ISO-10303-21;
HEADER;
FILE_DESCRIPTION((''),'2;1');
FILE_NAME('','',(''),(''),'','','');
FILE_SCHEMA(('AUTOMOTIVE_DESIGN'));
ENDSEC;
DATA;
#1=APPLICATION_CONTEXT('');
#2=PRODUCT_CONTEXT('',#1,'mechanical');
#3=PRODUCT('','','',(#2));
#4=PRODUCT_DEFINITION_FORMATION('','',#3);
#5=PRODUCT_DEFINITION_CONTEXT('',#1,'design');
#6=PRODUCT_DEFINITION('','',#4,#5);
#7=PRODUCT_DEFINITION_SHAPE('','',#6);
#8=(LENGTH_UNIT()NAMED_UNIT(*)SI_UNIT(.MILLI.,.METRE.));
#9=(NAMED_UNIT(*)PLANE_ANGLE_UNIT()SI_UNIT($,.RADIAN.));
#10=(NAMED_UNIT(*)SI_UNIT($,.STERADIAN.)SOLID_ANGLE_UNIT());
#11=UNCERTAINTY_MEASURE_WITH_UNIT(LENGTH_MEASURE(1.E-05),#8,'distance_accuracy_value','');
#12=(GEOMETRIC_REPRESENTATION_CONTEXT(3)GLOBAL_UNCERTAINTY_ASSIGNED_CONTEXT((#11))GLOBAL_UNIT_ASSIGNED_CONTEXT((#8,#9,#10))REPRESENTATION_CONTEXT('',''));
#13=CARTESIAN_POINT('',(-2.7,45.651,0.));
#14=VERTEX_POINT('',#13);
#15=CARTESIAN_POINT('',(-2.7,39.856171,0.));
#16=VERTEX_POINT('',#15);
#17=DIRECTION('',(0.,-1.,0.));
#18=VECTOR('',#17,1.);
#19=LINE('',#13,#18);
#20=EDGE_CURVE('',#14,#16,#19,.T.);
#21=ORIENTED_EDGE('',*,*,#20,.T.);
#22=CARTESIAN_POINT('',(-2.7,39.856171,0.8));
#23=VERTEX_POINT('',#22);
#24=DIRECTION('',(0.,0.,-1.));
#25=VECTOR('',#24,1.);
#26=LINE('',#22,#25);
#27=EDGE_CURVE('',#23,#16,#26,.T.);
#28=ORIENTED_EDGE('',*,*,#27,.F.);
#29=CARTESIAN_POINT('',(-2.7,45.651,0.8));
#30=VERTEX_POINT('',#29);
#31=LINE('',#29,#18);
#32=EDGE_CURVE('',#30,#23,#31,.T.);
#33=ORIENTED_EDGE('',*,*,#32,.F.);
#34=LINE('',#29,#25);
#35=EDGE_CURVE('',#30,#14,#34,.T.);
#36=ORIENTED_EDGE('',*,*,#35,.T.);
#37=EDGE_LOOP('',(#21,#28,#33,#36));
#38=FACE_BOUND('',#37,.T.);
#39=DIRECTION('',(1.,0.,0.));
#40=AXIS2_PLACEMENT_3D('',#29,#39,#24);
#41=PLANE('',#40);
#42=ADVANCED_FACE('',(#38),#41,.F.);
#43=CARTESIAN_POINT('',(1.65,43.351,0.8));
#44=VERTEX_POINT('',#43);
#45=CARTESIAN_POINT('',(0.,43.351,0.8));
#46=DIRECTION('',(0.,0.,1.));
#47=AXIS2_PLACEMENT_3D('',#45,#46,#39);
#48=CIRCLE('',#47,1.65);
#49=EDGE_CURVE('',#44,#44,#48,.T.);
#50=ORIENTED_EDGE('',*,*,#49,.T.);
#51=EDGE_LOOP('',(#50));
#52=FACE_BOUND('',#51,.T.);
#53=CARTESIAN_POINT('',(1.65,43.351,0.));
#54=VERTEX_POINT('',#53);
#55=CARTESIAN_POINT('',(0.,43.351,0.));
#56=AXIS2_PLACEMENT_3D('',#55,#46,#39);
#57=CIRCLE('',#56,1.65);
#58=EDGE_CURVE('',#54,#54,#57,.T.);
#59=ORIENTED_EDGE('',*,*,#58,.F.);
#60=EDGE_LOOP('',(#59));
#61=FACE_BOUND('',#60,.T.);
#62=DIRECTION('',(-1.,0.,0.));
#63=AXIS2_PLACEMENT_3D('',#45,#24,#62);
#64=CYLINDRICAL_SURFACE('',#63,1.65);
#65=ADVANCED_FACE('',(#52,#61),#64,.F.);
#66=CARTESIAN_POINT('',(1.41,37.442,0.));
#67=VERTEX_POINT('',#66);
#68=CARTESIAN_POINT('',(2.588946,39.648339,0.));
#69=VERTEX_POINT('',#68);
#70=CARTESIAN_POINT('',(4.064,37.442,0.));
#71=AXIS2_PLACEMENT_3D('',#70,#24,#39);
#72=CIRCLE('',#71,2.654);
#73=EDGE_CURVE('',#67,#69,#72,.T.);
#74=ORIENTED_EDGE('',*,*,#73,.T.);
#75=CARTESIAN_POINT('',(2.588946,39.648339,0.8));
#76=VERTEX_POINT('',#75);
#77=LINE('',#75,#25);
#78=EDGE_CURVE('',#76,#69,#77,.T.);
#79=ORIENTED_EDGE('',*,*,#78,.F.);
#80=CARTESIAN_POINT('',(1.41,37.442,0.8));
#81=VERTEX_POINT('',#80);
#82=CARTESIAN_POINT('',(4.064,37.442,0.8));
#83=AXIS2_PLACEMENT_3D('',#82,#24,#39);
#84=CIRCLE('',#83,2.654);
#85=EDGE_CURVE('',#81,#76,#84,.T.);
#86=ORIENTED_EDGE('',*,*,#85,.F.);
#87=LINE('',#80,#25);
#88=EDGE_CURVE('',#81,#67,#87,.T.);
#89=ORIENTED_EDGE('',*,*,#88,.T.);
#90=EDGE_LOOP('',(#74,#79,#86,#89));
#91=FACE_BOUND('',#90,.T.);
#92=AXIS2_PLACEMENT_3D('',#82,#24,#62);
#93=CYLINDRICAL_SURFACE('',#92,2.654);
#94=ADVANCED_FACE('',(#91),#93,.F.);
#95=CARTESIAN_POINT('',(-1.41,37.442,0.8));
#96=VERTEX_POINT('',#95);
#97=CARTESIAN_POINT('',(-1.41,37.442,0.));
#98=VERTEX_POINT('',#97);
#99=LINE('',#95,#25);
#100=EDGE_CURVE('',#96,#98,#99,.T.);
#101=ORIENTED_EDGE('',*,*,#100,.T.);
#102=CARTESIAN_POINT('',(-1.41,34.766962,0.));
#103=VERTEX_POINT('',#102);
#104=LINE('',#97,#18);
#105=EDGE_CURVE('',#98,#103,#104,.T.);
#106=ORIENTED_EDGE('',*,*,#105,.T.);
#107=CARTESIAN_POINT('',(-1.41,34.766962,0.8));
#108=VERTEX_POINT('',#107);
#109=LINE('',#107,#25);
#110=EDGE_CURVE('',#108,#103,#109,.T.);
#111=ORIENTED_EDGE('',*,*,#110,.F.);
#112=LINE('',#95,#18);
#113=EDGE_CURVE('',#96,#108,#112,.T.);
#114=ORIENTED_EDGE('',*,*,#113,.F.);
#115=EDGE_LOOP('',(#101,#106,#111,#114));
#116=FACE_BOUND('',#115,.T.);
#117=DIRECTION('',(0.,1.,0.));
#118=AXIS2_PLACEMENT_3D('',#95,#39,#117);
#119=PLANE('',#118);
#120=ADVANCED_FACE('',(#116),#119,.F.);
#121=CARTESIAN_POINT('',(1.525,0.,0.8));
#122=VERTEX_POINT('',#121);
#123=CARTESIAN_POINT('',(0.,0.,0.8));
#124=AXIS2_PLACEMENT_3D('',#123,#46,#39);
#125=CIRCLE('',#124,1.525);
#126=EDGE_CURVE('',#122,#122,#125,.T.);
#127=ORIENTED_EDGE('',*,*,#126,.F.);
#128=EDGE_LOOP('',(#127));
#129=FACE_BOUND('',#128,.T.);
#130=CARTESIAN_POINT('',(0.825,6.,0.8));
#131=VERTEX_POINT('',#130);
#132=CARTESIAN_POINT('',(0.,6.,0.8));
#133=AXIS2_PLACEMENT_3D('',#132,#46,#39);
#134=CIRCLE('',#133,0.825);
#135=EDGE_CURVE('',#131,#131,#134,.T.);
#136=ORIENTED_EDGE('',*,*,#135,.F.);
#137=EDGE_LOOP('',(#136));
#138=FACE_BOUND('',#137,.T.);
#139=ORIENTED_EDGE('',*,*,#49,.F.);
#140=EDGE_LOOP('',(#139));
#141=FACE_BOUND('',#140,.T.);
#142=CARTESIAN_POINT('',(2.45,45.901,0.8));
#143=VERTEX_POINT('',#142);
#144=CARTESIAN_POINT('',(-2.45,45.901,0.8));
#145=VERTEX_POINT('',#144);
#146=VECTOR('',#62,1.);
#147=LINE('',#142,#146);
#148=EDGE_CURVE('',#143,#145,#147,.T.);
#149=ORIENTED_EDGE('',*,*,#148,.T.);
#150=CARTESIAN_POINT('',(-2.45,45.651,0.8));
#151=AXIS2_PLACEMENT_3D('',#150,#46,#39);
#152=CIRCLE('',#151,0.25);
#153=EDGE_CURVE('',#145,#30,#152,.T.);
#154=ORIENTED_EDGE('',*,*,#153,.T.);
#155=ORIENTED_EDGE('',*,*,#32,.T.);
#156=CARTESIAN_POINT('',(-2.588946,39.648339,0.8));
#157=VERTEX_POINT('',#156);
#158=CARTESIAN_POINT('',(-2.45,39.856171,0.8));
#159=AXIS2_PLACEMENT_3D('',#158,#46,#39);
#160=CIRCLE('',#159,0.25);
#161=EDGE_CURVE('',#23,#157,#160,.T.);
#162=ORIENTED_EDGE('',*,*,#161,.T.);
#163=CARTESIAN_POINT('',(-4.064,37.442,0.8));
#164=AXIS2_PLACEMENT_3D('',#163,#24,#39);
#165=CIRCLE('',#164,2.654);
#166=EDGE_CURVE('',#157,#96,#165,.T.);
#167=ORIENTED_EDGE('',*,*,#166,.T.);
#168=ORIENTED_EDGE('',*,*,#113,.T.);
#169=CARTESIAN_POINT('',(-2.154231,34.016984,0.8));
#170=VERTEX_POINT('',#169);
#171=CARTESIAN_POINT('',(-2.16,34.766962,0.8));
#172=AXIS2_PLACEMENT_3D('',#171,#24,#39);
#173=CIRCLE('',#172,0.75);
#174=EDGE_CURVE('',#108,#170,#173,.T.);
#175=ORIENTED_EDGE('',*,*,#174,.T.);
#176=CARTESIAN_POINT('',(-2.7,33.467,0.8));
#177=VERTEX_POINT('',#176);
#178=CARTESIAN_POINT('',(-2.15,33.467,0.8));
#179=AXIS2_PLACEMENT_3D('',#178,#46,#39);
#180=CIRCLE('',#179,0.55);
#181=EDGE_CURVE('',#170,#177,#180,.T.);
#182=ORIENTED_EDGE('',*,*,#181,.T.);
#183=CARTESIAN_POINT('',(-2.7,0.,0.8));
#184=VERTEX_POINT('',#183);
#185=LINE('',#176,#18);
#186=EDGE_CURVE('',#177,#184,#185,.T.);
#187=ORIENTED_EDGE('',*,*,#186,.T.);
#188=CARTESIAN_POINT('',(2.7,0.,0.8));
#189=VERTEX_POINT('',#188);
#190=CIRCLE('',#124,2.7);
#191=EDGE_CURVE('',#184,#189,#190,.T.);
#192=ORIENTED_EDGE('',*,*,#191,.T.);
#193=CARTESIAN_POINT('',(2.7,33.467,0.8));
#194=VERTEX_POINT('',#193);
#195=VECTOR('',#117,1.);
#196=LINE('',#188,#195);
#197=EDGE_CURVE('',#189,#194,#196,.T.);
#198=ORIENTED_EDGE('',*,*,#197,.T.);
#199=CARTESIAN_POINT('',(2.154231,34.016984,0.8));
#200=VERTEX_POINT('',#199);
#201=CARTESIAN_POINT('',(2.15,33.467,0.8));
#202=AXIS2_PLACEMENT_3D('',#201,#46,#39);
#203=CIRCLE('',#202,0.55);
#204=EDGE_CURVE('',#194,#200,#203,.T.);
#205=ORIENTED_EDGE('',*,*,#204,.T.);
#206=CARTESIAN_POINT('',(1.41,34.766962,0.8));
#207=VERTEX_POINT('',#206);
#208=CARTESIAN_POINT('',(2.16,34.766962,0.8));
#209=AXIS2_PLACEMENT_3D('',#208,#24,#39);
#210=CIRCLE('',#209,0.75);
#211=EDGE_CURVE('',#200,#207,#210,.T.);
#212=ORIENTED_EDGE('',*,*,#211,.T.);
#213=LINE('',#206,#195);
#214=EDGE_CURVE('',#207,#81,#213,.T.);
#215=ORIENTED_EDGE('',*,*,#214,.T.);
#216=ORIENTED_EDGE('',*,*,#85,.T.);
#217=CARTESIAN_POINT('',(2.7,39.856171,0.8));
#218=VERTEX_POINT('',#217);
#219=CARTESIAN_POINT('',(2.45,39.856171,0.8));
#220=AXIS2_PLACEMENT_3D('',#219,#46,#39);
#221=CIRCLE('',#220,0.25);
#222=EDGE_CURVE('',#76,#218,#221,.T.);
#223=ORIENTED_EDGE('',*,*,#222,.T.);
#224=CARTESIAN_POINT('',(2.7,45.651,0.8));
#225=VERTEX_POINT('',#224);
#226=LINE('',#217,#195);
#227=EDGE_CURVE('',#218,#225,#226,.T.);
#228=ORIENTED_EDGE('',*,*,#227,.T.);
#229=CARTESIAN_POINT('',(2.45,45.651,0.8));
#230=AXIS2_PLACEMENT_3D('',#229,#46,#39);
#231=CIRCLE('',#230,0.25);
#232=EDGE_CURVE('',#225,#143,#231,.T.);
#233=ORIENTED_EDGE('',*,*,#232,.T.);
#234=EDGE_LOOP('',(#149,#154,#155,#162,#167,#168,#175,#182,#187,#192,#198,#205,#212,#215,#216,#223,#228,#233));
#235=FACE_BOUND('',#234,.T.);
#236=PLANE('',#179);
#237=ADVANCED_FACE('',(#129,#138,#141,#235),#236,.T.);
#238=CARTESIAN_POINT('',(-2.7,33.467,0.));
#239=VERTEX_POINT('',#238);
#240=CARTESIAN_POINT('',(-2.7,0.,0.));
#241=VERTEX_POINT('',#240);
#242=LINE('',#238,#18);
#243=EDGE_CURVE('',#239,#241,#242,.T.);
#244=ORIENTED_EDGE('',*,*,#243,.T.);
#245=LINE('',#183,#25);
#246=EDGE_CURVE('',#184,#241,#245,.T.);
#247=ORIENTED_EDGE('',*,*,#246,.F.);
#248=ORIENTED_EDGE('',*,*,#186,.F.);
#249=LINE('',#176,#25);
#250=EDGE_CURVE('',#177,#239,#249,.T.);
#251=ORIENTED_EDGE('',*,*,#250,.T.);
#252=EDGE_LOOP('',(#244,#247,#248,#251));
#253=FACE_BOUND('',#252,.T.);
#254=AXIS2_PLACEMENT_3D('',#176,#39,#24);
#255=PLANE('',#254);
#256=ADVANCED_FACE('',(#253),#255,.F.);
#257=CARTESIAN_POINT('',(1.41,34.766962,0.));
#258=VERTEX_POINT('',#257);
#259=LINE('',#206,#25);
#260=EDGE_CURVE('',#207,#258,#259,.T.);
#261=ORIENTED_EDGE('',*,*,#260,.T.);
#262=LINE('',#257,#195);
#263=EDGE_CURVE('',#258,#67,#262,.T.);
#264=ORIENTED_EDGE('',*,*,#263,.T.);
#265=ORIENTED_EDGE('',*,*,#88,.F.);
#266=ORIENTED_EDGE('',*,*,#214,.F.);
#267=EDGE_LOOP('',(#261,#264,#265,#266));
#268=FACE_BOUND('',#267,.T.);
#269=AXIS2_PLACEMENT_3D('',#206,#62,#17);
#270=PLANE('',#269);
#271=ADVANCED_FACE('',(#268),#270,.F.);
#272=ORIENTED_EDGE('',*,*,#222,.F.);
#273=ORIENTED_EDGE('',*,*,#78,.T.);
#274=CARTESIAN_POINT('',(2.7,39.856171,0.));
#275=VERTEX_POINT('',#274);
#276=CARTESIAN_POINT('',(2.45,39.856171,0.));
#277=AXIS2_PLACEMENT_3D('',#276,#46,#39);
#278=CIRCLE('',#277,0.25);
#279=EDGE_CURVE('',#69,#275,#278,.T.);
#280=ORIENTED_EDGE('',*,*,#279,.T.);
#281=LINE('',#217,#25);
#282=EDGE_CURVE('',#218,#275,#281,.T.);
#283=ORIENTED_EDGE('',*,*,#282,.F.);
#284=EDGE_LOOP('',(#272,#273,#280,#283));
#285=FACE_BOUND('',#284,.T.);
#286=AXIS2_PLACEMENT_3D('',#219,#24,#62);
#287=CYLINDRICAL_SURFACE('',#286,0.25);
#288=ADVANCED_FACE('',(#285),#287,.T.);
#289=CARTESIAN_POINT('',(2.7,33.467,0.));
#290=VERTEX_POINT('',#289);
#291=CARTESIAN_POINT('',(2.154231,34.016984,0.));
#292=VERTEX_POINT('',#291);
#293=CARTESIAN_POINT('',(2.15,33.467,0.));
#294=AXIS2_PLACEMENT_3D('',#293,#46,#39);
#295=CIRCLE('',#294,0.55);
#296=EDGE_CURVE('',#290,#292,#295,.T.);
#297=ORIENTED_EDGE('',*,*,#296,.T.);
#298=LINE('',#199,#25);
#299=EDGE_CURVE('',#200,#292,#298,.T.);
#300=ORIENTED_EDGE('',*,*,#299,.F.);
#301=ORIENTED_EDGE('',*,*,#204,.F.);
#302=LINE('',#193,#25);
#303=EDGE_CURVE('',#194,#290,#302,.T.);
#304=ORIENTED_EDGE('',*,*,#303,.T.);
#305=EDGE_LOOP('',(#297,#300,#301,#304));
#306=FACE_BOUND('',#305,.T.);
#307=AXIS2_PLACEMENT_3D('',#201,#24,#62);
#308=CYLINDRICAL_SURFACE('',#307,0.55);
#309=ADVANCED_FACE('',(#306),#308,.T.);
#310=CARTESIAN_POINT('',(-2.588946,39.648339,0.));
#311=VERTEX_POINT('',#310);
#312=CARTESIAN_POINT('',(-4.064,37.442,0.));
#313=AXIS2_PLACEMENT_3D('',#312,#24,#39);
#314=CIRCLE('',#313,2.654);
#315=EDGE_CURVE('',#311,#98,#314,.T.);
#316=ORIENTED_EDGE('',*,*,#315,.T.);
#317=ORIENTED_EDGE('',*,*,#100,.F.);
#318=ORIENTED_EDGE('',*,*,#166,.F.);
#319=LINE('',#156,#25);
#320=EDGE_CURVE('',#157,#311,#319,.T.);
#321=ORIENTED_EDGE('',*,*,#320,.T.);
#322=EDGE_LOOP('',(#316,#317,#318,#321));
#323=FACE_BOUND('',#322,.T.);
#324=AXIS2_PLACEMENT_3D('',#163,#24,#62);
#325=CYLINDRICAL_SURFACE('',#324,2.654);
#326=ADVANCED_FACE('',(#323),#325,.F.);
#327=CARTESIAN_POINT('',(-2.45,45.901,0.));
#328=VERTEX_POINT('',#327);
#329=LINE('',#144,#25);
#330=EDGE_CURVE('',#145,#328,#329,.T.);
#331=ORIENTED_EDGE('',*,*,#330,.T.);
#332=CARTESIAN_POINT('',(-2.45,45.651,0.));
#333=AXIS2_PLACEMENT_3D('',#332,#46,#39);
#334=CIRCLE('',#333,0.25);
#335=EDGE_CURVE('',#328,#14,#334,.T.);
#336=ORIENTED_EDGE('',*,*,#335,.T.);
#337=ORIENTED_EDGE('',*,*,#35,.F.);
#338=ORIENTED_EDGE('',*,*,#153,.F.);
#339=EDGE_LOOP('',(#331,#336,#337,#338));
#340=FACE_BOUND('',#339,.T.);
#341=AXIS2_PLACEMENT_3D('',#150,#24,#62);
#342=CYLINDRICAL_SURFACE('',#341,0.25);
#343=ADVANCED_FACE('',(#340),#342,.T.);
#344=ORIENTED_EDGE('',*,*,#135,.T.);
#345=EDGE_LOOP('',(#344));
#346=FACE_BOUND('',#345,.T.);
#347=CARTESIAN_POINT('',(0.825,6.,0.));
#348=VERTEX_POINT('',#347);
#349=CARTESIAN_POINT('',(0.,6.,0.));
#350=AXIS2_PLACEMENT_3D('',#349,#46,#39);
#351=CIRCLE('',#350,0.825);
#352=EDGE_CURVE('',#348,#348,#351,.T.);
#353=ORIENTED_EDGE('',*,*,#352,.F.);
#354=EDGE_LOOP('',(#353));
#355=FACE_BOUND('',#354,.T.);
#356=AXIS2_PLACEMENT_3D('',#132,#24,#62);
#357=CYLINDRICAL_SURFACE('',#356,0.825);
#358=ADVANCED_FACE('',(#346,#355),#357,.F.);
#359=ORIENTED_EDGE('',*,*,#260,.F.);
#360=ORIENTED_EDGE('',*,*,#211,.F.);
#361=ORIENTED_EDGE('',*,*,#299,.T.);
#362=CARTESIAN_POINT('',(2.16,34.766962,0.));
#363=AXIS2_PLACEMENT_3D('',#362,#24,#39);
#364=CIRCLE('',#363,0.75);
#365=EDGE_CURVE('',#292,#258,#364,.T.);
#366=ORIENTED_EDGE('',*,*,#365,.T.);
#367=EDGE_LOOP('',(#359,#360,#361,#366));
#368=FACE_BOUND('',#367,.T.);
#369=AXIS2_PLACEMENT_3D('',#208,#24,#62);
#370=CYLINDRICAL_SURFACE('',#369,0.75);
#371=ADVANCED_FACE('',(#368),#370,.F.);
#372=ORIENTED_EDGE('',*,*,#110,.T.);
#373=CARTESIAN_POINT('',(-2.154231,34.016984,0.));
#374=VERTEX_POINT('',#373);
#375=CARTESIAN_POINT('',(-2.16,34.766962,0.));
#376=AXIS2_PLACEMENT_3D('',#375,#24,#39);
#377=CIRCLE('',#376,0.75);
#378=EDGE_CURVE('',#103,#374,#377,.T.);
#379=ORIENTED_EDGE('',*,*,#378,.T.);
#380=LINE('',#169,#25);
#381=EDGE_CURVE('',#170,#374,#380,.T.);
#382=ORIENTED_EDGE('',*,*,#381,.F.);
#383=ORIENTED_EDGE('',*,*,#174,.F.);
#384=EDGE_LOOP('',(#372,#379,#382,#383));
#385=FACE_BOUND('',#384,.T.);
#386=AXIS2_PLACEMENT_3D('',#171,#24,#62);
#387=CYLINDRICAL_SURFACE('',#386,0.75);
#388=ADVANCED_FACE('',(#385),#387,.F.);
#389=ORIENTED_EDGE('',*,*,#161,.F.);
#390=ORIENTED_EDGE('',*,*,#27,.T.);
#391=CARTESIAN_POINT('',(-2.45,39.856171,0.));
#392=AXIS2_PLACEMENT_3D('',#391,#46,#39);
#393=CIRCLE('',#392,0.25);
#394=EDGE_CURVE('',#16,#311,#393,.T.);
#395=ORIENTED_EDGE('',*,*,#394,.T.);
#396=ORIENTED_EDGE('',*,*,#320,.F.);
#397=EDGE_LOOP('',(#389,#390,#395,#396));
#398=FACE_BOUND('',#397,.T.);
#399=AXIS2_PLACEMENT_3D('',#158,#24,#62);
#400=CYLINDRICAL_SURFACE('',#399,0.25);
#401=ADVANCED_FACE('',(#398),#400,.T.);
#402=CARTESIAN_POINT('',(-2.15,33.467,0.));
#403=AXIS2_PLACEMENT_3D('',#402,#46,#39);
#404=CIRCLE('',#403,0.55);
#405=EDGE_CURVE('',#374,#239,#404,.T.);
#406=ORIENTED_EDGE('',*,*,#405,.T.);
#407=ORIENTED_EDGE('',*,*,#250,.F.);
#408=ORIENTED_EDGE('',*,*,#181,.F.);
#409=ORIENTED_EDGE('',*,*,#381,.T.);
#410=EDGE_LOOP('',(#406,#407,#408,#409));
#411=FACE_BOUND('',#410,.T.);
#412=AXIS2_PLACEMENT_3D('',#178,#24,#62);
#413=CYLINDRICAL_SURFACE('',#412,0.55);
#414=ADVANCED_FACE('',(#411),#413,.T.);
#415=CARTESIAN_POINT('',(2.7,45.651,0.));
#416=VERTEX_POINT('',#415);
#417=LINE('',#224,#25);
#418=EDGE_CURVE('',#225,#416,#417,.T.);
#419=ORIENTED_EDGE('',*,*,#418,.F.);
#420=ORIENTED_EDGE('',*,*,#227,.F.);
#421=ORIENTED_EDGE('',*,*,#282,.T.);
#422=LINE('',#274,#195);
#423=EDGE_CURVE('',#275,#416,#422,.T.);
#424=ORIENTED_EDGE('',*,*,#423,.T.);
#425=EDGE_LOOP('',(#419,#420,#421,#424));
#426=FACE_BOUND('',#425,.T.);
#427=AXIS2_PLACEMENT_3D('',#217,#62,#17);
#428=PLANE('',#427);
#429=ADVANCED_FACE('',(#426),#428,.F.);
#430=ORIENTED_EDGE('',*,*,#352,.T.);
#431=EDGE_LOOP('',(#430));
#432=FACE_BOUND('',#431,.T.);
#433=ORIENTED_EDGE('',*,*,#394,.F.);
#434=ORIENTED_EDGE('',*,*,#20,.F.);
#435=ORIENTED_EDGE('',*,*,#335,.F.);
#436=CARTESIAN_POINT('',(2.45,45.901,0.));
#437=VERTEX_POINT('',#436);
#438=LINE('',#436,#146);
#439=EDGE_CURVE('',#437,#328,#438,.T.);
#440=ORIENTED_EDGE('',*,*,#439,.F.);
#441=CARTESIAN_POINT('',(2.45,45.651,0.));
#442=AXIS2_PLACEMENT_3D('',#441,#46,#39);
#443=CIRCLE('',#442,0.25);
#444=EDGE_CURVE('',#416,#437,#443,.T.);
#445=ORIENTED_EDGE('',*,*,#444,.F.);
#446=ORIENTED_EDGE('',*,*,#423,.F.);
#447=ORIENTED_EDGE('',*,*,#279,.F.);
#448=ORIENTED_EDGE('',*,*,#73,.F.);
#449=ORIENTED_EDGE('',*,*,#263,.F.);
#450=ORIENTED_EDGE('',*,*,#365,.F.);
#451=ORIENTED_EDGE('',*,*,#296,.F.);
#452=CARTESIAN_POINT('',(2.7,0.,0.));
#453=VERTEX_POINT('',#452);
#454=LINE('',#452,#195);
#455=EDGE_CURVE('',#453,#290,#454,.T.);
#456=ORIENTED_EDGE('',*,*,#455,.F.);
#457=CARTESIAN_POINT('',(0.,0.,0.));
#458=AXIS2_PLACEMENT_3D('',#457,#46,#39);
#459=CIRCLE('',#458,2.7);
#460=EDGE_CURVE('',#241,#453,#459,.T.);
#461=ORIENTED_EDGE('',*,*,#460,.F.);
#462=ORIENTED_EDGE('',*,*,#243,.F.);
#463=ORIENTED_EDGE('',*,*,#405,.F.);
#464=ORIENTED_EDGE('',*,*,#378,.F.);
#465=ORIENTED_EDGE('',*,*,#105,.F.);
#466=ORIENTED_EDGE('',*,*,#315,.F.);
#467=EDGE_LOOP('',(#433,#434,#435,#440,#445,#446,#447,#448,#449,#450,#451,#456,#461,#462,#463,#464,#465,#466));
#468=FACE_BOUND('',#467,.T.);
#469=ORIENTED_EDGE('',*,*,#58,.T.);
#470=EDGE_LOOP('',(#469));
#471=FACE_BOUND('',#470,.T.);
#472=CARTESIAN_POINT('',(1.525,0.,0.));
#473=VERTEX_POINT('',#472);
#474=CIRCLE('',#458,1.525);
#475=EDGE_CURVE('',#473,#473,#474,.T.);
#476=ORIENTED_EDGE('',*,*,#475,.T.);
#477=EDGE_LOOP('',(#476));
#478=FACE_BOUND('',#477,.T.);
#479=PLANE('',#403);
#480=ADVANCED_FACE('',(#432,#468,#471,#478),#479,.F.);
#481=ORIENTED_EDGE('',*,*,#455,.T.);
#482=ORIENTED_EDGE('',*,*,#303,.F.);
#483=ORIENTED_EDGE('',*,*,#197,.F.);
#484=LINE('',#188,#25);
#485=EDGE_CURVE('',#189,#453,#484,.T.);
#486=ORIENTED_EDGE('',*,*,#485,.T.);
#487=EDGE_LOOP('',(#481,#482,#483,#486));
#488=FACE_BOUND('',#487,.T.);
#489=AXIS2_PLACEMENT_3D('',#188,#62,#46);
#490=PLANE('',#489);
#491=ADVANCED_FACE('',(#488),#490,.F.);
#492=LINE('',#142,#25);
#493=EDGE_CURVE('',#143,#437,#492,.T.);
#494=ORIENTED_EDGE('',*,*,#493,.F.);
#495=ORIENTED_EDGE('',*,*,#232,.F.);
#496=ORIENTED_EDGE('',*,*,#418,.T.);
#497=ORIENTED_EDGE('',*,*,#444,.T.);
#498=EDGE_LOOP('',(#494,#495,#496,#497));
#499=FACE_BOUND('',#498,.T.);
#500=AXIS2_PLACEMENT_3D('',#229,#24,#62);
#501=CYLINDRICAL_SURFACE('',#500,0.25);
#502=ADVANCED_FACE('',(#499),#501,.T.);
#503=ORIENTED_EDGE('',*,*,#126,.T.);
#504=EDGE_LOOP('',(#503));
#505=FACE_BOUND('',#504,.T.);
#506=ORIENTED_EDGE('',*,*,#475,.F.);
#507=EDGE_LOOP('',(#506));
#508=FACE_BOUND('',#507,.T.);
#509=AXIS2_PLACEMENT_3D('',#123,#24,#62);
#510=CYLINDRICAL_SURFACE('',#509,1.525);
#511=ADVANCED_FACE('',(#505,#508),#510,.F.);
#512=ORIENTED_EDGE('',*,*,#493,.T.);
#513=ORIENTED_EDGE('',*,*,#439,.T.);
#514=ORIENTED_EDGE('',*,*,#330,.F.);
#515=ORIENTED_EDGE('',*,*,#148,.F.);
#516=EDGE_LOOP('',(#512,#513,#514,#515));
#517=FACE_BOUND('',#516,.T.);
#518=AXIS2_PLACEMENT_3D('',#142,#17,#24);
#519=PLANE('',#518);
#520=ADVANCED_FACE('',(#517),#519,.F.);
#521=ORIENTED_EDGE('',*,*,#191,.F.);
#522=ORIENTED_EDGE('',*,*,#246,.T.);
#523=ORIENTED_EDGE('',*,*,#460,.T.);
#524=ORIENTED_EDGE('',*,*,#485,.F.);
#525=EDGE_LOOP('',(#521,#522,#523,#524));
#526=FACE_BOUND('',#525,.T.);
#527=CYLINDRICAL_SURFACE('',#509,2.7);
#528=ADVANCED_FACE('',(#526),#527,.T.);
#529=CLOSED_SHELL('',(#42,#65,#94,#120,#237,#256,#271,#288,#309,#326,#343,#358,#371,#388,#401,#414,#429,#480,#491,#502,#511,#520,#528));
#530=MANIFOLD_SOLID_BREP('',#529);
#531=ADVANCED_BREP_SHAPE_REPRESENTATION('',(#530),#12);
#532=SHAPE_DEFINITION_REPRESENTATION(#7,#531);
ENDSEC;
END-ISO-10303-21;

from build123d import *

# Parameters (mm, degrees)
SKETCH_2_R      = 1.525
SKETCH_2_R_2    = 0.825
SKETCH_2_R_3    = 1.65
EXTRUDE_1_DEPTH = 0.8


with BuildPart() as part:
    # 草图2 → 凸台-拉伸1 (new body)
    with BuildSketch(Plane.XY):
        with BuildLine():
            Line((-2.7, 33.467), (-2.7, 0))
            ThreePointArc((-2.7, 0), (0, -2.7), (2.7, 0))
            Line((2.7, 0), (2.7, 33.467))
            ThreePointArc((2.7, 33.467), (2.540401667, 33.854410039), (2.154230769, 34.016983728))
            ThreePointArc((2.154230769, 34.016983728), (1.627634091, 34.238675121), (1.41, 34.766961538))
            Line((1.41, 34.766961538), (1.41, 37.442))
            ThreePointArc((1.41, 37.442), (1.7232193, 38.69278444), (2.588946281, 39.648339169))
            ThreePointArc((2.588946281, 39.648339169), (2.670495544, 39.738349976), (2.7, 39.856170665))
            Line((2.7, 39.856170665), (2.7, 45.651))
            ThreePointArc((2.7, 45.651), (2.626776695, 45.827776695), (2.45, 45.901))
            Line((2.45, 45.901), (-2.45, 45.901))
            ThreePointArc((-2.45, 45.901), (-2.626776695, 45.827776695), (-2.7, 45.651))
            Line((-2.7, 45.651), (-2.7, 39.856170665))
            ThreePointArc((-2.7, 39.856170665), (-2.670495544, 39.738349976), (-2.588946281, 39.648339169))
            ThreePointArc((-2.588946281, 39.648339169), (-1.7232193, 38.69278444), (-1.41, 37.442))
            Line((-1.41, 37.442), (-1.41, 34.766961538))
            ThreePointArc((-1.41, 34.766961538), (-1.627634091, 34.238675121), (-2.154230769, 34.016983728))
            ThreePointArc((-2.154230769, 34.016983728), (-2.540401667, 33.854410039), (-2.7, 33.467))
        make_face()
        Circle(SKETCH_2_R, mode=Mode.SUBTRACT)
        with Locations((0, 6)):
            Circle(SKETCH_2_R_2, mode=Mode.SUBTRACT)
        with Locations((0, 43.351)):
            Circle(SKETCH_2_R_3, mode=Mode.SUBTRACT)
    extrude(amount=EXTRUDE_1_DEPTH)


solid = part.part
